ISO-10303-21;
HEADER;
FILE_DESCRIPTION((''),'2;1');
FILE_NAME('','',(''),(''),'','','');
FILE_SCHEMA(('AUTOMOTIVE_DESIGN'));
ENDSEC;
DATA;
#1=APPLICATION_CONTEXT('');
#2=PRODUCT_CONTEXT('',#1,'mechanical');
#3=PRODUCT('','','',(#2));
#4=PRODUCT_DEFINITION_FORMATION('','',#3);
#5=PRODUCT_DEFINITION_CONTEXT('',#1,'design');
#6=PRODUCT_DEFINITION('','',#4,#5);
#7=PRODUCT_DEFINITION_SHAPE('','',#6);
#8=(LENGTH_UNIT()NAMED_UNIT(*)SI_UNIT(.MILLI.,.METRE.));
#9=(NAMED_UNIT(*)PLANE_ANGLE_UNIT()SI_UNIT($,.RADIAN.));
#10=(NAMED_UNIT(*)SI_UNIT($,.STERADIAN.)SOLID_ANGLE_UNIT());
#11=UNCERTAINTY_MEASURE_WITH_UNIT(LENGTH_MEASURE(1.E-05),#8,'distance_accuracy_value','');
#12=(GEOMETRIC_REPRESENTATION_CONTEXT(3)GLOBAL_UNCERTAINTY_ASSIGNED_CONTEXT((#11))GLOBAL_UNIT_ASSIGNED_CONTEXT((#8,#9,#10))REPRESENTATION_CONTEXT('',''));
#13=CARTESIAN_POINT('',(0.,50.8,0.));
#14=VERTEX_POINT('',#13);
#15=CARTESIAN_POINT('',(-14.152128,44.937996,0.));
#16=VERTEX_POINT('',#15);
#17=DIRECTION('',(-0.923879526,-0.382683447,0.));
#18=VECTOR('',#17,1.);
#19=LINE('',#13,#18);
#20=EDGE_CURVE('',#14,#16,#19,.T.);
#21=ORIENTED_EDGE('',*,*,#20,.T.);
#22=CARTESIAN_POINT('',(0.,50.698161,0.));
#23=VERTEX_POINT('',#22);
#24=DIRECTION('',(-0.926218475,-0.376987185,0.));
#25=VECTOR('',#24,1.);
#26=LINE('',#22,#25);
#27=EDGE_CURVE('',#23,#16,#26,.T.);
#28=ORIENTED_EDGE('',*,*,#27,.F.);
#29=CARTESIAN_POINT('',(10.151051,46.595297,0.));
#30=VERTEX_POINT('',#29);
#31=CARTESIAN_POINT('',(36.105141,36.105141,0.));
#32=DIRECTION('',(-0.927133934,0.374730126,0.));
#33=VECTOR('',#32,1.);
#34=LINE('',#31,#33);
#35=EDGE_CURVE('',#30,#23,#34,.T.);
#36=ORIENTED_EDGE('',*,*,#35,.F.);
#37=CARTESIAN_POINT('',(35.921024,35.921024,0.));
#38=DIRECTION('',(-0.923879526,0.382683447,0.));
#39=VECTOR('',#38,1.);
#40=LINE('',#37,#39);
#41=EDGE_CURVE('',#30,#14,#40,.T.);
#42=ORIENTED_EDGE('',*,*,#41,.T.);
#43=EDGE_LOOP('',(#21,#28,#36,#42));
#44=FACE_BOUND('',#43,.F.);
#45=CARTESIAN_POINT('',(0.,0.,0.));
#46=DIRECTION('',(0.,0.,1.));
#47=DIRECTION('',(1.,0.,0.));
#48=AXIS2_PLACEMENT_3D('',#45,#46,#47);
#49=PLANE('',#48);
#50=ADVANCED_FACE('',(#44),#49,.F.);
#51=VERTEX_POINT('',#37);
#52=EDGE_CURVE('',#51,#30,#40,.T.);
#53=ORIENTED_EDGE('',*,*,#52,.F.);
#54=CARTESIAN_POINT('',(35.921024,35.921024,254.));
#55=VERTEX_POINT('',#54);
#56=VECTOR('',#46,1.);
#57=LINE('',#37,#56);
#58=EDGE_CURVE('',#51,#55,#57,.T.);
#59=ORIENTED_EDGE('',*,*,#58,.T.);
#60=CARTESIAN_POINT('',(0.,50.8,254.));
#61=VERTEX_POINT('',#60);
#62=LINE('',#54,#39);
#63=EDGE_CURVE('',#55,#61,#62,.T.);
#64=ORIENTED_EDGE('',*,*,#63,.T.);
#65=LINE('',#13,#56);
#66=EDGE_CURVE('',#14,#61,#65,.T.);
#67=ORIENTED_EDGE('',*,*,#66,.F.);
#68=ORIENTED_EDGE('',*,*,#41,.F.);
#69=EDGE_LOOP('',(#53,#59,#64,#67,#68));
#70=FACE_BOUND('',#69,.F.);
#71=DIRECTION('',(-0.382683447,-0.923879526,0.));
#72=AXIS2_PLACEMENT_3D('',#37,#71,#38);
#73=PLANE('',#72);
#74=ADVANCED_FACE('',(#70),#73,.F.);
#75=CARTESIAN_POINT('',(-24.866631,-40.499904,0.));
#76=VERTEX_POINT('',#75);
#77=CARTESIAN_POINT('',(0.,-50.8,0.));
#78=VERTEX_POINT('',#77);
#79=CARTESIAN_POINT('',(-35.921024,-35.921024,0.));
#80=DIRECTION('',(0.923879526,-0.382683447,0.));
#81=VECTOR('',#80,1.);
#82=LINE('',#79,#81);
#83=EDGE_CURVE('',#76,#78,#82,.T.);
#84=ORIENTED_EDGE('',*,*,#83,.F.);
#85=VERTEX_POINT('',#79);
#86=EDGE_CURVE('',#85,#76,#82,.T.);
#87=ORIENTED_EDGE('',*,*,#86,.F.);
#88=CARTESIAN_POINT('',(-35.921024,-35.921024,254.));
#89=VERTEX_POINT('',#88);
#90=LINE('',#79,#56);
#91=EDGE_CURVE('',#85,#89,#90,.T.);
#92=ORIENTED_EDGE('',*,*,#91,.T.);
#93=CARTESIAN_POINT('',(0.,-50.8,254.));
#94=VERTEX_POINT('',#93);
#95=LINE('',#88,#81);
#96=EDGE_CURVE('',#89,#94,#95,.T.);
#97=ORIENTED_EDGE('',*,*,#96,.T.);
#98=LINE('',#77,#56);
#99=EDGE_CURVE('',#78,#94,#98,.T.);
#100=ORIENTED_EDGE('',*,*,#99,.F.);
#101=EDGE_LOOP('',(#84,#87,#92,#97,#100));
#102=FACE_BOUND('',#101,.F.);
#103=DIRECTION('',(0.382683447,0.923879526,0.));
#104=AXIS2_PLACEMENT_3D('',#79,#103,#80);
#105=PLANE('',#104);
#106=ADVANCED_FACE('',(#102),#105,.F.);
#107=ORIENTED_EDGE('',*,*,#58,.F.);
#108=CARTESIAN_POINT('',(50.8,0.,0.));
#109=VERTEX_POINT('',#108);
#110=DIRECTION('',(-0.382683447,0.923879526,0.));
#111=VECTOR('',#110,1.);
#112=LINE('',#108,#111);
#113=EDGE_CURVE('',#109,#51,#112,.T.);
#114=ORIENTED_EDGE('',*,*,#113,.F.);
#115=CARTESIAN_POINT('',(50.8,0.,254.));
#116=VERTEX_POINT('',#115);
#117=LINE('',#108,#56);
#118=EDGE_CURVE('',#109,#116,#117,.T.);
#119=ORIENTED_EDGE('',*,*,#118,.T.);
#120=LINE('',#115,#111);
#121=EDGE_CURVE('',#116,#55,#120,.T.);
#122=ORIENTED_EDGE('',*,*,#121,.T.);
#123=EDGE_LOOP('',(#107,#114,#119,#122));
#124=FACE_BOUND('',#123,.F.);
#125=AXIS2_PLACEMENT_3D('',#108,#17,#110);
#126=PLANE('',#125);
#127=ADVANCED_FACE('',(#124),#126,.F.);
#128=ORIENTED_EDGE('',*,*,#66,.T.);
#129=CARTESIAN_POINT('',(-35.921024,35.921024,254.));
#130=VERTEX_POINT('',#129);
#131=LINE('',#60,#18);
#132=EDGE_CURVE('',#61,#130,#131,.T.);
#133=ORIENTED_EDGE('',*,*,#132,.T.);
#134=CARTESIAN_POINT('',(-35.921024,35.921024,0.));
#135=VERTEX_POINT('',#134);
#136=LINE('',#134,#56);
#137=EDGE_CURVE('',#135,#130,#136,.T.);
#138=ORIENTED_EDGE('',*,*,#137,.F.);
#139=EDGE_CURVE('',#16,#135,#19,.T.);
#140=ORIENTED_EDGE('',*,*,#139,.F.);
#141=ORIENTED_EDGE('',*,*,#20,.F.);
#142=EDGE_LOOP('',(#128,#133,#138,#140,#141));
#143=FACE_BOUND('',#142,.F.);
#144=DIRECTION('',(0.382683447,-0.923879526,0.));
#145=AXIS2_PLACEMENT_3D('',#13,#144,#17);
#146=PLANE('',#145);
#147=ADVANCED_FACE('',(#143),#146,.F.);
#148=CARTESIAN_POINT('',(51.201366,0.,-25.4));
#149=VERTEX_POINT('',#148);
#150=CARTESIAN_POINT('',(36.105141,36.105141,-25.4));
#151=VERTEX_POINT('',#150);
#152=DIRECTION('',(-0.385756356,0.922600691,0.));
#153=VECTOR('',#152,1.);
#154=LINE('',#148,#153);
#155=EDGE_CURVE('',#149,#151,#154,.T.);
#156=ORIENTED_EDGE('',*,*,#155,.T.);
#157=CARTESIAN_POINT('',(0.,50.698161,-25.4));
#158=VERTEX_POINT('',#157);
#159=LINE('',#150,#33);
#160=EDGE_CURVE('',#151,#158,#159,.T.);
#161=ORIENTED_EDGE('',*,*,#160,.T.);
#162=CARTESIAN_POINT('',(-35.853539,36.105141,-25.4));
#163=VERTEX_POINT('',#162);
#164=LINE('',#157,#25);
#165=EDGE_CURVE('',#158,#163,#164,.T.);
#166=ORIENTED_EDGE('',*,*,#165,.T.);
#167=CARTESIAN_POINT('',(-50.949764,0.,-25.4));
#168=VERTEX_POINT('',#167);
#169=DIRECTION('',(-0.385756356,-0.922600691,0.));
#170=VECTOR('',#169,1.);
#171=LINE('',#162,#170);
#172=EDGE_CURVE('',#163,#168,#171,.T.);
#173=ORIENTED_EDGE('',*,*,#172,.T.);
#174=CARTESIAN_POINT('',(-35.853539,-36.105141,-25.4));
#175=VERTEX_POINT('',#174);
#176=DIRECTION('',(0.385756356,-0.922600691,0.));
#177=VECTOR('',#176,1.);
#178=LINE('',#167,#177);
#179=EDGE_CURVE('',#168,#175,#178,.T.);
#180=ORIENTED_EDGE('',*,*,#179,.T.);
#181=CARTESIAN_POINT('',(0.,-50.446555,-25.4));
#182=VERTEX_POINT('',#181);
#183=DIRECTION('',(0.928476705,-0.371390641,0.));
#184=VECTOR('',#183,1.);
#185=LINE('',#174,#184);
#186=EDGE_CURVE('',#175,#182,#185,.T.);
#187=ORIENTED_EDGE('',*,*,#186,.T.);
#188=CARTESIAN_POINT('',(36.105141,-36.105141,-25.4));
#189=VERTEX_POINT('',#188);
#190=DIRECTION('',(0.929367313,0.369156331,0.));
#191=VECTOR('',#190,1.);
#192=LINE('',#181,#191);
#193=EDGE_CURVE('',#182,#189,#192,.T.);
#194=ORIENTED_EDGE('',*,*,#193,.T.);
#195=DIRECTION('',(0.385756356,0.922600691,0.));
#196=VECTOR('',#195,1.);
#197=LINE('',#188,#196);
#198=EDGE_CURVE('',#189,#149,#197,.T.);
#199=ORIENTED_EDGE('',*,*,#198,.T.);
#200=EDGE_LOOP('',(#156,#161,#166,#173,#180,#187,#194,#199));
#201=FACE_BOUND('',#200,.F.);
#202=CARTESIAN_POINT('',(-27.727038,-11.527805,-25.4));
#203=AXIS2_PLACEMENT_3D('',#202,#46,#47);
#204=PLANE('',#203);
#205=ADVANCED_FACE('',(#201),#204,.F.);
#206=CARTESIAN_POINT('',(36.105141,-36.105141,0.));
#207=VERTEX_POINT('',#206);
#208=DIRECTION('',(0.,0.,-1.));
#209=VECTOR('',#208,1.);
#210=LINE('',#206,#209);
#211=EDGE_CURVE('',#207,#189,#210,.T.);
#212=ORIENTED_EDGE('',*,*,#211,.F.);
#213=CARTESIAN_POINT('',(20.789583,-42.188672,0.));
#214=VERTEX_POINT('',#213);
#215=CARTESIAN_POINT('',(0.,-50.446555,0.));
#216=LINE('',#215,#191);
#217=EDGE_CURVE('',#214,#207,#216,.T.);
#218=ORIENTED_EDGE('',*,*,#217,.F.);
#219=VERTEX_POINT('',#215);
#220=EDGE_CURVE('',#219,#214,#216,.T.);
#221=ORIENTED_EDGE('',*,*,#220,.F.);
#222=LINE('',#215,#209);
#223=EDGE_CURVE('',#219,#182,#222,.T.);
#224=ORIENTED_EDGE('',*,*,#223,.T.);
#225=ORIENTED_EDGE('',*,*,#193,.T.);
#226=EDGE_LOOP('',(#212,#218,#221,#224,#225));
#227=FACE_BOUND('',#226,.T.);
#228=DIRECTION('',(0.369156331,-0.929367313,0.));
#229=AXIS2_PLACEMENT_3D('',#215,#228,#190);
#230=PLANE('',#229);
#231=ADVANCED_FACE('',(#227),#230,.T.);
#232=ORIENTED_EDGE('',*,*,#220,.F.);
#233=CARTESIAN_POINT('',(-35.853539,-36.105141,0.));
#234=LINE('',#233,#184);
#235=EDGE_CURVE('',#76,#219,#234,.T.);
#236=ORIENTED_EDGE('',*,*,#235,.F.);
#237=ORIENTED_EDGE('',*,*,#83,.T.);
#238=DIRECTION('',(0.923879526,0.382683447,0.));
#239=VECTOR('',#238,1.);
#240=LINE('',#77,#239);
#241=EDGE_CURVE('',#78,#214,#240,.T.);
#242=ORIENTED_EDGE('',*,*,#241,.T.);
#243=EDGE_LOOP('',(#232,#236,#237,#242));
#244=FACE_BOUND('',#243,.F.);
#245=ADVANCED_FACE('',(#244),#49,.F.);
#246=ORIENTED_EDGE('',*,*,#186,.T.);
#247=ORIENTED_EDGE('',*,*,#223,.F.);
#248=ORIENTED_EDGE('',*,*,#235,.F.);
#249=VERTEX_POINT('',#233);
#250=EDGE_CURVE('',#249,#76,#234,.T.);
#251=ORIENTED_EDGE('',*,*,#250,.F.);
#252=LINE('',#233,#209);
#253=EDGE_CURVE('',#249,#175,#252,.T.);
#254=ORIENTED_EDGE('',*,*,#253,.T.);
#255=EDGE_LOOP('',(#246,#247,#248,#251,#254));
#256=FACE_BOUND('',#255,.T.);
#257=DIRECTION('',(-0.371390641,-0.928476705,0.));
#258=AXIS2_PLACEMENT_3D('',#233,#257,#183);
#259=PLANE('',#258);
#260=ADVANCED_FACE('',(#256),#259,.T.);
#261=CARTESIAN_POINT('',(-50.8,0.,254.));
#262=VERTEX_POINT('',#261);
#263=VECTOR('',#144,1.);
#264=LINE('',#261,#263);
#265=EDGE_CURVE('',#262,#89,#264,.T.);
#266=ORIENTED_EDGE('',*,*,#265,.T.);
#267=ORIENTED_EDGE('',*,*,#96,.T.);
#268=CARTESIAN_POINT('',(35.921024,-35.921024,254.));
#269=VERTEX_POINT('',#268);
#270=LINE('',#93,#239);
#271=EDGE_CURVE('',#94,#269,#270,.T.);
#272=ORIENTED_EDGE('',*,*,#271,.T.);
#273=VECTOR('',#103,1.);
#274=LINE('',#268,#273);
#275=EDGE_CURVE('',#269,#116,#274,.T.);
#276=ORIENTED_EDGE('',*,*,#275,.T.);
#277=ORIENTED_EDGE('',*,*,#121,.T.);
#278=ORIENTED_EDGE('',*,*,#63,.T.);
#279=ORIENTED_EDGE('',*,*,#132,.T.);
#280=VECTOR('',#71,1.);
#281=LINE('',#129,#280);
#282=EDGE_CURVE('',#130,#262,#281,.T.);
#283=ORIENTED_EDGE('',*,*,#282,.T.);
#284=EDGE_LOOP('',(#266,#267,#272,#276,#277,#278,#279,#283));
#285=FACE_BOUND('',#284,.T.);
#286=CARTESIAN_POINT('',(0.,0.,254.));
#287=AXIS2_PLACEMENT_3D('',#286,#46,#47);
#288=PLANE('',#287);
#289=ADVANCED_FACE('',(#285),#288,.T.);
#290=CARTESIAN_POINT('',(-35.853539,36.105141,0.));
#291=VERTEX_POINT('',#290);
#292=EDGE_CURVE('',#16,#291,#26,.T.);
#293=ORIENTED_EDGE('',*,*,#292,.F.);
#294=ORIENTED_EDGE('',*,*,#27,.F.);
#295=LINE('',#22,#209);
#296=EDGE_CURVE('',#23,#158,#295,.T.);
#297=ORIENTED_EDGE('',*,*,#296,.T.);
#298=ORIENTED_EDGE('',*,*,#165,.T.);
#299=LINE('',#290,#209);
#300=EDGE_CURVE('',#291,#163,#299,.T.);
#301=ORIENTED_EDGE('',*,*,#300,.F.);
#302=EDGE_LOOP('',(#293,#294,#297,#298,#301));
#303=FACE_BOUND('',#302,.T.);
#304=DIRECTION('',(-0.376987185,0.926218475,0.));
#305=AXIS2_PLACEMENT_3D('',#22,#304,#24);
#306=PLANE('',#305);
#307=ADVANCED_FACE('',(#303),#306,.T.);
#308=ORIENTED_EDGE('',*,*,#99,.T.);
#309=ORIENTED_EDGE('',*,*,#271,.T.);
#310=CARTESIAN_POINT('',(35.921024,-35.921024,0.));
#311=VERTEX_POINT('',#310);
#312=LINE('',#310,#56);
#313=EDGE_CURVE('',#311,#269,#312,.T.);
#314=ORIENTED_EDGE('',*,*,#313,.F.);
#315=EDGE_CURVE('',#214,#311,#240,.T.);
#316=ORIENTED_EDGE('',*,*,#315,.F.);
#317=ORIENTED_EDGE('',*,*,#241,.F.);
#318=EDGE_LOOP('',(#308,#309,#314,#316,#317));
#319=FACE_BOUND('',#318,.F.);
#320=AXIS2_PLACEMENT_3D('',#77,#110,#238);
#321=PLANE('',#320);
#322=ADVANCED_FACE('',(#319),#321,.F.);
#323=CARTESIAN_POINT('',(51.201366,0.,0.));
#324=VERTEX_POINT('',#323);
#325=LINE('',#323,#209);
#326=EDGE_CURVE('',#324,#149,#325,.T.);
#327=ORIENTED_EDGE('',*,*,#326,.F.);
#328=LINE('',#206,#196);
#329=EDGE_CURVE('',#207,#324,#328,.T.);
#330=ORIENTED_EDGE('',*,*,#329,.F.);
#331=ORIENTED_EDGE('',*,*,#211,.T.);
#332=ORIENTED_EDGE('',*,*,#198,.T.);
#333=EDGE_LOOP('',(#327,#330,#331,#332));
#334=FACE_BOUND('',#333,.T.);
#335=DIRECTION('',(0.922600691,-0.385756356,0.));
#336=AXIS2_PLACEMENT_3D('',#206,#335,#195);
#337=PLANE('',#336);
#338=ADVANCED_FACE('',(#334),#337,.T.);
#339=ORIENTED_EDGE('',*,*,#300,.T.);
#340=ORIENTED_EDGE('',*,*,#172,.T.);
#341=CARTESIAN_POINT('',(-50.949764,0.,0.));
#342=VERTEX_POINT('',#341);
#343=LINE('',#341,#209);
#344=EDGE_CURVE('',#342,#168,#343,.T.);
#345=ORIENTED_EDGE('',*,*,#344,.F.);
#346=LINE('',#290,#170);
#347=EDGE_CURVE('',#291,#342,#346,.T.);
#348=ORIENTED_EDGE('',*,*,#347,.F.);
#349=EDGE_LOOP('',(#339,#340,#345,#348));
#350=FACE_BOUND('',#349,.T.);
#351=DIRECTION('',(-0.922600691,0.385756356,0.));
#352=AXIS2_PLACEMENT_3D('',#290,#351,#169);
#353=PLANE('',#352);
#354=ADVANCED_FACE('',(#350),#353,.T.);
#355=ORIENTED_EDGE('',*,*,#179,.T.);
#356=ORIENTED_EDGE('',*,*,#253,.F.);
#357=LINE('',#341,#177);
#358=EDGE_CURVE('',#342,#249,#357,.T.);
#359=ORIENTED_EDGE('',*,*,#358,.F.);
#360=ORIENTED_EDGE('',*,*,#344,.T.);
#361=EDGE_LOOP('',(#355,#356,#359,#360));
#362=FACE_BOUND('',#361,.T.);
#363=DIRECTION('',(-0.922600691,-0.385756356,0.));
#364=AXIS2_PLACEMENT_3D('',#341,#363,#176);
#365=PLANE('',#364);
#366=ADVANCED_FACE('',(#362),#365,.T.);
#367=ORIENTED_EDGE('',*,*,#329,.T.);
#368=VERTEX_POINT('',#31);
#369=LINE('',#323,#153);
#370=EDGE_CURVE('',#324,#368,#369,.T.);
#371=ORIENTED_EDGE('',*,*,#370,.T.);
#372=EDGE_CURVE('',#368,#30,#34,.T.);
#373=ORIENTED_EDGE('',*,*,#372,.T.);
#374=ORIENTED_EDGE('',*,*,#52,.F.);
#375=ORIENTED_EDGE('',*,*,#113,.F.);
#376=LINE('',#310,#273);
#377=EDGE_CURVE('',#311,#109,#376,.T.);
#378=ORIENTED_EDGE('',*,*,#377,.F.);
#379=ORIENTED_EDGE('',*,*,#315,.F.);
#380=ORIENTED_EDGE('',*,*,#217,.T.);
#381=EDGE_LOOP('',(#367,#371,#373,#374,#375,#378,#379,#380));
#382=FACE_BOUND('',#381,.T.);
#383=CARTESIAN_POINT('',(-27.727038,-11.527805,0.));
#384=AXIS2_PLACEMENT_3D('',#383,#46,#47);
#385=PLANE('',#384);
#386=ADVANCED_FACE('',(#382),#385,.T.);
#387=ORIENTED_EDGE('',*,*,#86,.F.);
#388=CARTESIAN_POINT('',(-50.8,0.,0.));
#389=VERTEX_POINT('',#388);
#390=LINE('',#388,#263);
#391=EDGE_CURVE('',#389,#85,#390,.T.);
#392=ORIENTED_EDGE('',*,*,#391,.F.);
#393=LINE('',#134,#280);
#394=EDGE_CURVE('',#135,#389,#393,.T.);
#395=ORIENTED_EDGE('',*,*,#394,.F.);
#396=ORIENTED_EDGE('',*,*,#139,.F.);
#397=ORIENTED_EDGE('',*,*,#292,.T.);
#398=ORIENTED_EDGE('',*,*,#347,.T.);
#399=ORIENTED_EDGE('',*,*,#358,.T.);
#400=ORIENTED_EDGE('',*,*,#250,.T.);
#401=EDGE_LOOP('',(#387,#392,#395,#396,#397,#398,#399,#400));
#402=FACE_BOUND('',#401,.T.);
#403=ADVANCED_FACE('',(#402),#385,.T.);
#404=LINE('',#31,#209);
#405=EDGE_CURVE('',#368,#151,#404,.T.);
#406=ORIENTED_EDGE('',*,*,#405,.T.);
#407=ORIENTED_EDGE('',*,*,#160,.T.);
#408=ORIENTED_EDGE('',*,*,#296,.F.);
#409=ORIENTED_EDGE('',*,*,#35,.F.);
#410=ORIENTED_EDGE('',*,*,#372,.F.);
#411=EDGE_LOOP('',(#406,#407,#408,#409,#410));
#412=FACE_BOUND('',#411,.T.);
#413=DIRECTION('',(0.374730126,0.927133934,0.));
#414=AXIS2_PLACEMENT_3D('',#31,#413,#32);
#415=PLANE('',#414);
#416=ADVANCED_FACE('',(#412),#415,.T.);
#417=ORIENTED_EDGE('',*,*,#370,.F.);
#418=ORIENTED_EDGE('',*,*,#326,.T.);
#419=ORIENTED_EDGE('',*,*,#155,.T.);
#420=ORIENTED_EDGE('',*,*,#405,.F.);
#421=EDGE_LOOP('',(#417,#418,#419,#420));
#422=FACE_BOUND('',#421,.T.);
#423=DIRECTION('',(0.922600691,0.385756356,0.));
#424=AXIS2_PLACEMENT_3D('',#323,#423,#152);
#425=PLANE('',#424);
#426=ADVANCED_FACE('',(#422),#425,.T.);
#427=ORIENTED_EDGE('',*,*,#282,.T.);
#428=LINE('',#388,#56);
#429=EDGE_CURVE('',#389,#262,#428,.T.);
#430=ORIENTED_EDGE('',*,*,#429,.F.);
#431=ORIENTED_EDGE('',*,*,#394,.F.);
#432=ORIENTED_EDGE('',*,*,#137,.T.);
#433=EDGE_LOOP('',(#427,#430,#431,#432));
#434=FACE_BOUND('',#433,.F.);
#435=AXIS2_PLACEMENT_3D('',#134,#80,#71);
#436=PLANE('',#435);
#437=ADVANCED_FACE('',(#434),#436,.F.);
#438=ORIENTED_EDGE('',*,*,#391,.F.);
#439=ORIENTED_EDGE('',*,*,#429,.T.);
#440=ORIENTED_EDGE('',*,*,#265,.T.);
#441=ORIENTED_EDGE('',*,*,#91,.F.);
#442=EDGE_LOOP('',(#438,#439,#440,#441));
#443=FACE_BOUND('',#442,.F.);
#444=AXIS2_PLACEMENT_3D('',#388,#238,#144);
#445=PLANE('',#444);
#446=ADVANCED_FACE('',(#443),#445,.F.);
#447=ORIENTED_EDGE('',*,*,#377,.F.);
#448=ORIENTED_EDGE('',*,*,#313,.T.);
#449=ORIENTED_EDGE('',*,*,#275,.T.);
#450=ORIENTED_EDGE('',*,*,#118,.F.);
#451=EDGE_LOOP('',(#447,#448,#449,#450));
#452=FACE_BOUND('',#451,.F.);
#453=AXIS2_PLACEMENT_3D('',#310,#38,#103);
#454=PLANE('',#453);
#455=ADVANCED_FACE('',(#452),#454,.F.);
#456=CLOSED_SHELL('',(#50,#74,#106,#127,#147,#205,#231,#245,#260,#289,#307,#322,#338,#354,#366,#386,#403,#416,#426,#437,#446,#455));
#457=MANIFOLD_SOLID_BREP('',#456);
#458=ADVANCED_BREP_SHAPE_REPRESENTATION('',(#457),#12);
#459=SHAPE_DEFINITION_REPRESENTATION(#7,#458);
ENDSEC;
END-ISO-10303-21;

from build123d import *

# Parameters (mm, degrees)
F1_DEPTH = 254
F3_DEPTH = 25.4


with BuildPart() as f1:
    # F0 (on Top) → F1 (new body)
    with BuildSketch(Plane.XY):
        Polygon((35.921024, -35.921024), (50.8, 0), (35.921024, 35.921024), (0, 50.8), (-35.921024, 35.921024), (-50.8, 0), (-35.921024, -35.921024), (0, -50.8), align=None)
    extrude(amount=F1_DEPTH)

    # F2 (on Top) → F3 (join)
    with BuildSketch(Plane.XY):
        Polygon((-50.949764, 0), (-35.853539, -36.105141), (0, 0), align=None)
        Polygon((0, 0), (-35.853539, -36.105141), (0, -50.446555), align=None)
        Polygon((36.105141, -36.105141), (0, 0), (0, -50.446555), align=None)
        Polygon((-50.949764, 0), (0, 0), (-35.853539, 36.105141), align=None)
        Polygon((-35.853539, 36.105141), (0, 0), (0, 50.698161), align=None)
        Polygon((0, 50.698161), (0, 0), (36.105141, 36.105141), align=None)
        Polygon((51.201366, 0), (0, 0), (36.105141, -36.105141), align=None)
        Polygon((36.105141, 36.105141), (0, 0), (51.201366, 0), align=None)
    extrude(amount=-F3_DEPTH)


solid = f1.part
